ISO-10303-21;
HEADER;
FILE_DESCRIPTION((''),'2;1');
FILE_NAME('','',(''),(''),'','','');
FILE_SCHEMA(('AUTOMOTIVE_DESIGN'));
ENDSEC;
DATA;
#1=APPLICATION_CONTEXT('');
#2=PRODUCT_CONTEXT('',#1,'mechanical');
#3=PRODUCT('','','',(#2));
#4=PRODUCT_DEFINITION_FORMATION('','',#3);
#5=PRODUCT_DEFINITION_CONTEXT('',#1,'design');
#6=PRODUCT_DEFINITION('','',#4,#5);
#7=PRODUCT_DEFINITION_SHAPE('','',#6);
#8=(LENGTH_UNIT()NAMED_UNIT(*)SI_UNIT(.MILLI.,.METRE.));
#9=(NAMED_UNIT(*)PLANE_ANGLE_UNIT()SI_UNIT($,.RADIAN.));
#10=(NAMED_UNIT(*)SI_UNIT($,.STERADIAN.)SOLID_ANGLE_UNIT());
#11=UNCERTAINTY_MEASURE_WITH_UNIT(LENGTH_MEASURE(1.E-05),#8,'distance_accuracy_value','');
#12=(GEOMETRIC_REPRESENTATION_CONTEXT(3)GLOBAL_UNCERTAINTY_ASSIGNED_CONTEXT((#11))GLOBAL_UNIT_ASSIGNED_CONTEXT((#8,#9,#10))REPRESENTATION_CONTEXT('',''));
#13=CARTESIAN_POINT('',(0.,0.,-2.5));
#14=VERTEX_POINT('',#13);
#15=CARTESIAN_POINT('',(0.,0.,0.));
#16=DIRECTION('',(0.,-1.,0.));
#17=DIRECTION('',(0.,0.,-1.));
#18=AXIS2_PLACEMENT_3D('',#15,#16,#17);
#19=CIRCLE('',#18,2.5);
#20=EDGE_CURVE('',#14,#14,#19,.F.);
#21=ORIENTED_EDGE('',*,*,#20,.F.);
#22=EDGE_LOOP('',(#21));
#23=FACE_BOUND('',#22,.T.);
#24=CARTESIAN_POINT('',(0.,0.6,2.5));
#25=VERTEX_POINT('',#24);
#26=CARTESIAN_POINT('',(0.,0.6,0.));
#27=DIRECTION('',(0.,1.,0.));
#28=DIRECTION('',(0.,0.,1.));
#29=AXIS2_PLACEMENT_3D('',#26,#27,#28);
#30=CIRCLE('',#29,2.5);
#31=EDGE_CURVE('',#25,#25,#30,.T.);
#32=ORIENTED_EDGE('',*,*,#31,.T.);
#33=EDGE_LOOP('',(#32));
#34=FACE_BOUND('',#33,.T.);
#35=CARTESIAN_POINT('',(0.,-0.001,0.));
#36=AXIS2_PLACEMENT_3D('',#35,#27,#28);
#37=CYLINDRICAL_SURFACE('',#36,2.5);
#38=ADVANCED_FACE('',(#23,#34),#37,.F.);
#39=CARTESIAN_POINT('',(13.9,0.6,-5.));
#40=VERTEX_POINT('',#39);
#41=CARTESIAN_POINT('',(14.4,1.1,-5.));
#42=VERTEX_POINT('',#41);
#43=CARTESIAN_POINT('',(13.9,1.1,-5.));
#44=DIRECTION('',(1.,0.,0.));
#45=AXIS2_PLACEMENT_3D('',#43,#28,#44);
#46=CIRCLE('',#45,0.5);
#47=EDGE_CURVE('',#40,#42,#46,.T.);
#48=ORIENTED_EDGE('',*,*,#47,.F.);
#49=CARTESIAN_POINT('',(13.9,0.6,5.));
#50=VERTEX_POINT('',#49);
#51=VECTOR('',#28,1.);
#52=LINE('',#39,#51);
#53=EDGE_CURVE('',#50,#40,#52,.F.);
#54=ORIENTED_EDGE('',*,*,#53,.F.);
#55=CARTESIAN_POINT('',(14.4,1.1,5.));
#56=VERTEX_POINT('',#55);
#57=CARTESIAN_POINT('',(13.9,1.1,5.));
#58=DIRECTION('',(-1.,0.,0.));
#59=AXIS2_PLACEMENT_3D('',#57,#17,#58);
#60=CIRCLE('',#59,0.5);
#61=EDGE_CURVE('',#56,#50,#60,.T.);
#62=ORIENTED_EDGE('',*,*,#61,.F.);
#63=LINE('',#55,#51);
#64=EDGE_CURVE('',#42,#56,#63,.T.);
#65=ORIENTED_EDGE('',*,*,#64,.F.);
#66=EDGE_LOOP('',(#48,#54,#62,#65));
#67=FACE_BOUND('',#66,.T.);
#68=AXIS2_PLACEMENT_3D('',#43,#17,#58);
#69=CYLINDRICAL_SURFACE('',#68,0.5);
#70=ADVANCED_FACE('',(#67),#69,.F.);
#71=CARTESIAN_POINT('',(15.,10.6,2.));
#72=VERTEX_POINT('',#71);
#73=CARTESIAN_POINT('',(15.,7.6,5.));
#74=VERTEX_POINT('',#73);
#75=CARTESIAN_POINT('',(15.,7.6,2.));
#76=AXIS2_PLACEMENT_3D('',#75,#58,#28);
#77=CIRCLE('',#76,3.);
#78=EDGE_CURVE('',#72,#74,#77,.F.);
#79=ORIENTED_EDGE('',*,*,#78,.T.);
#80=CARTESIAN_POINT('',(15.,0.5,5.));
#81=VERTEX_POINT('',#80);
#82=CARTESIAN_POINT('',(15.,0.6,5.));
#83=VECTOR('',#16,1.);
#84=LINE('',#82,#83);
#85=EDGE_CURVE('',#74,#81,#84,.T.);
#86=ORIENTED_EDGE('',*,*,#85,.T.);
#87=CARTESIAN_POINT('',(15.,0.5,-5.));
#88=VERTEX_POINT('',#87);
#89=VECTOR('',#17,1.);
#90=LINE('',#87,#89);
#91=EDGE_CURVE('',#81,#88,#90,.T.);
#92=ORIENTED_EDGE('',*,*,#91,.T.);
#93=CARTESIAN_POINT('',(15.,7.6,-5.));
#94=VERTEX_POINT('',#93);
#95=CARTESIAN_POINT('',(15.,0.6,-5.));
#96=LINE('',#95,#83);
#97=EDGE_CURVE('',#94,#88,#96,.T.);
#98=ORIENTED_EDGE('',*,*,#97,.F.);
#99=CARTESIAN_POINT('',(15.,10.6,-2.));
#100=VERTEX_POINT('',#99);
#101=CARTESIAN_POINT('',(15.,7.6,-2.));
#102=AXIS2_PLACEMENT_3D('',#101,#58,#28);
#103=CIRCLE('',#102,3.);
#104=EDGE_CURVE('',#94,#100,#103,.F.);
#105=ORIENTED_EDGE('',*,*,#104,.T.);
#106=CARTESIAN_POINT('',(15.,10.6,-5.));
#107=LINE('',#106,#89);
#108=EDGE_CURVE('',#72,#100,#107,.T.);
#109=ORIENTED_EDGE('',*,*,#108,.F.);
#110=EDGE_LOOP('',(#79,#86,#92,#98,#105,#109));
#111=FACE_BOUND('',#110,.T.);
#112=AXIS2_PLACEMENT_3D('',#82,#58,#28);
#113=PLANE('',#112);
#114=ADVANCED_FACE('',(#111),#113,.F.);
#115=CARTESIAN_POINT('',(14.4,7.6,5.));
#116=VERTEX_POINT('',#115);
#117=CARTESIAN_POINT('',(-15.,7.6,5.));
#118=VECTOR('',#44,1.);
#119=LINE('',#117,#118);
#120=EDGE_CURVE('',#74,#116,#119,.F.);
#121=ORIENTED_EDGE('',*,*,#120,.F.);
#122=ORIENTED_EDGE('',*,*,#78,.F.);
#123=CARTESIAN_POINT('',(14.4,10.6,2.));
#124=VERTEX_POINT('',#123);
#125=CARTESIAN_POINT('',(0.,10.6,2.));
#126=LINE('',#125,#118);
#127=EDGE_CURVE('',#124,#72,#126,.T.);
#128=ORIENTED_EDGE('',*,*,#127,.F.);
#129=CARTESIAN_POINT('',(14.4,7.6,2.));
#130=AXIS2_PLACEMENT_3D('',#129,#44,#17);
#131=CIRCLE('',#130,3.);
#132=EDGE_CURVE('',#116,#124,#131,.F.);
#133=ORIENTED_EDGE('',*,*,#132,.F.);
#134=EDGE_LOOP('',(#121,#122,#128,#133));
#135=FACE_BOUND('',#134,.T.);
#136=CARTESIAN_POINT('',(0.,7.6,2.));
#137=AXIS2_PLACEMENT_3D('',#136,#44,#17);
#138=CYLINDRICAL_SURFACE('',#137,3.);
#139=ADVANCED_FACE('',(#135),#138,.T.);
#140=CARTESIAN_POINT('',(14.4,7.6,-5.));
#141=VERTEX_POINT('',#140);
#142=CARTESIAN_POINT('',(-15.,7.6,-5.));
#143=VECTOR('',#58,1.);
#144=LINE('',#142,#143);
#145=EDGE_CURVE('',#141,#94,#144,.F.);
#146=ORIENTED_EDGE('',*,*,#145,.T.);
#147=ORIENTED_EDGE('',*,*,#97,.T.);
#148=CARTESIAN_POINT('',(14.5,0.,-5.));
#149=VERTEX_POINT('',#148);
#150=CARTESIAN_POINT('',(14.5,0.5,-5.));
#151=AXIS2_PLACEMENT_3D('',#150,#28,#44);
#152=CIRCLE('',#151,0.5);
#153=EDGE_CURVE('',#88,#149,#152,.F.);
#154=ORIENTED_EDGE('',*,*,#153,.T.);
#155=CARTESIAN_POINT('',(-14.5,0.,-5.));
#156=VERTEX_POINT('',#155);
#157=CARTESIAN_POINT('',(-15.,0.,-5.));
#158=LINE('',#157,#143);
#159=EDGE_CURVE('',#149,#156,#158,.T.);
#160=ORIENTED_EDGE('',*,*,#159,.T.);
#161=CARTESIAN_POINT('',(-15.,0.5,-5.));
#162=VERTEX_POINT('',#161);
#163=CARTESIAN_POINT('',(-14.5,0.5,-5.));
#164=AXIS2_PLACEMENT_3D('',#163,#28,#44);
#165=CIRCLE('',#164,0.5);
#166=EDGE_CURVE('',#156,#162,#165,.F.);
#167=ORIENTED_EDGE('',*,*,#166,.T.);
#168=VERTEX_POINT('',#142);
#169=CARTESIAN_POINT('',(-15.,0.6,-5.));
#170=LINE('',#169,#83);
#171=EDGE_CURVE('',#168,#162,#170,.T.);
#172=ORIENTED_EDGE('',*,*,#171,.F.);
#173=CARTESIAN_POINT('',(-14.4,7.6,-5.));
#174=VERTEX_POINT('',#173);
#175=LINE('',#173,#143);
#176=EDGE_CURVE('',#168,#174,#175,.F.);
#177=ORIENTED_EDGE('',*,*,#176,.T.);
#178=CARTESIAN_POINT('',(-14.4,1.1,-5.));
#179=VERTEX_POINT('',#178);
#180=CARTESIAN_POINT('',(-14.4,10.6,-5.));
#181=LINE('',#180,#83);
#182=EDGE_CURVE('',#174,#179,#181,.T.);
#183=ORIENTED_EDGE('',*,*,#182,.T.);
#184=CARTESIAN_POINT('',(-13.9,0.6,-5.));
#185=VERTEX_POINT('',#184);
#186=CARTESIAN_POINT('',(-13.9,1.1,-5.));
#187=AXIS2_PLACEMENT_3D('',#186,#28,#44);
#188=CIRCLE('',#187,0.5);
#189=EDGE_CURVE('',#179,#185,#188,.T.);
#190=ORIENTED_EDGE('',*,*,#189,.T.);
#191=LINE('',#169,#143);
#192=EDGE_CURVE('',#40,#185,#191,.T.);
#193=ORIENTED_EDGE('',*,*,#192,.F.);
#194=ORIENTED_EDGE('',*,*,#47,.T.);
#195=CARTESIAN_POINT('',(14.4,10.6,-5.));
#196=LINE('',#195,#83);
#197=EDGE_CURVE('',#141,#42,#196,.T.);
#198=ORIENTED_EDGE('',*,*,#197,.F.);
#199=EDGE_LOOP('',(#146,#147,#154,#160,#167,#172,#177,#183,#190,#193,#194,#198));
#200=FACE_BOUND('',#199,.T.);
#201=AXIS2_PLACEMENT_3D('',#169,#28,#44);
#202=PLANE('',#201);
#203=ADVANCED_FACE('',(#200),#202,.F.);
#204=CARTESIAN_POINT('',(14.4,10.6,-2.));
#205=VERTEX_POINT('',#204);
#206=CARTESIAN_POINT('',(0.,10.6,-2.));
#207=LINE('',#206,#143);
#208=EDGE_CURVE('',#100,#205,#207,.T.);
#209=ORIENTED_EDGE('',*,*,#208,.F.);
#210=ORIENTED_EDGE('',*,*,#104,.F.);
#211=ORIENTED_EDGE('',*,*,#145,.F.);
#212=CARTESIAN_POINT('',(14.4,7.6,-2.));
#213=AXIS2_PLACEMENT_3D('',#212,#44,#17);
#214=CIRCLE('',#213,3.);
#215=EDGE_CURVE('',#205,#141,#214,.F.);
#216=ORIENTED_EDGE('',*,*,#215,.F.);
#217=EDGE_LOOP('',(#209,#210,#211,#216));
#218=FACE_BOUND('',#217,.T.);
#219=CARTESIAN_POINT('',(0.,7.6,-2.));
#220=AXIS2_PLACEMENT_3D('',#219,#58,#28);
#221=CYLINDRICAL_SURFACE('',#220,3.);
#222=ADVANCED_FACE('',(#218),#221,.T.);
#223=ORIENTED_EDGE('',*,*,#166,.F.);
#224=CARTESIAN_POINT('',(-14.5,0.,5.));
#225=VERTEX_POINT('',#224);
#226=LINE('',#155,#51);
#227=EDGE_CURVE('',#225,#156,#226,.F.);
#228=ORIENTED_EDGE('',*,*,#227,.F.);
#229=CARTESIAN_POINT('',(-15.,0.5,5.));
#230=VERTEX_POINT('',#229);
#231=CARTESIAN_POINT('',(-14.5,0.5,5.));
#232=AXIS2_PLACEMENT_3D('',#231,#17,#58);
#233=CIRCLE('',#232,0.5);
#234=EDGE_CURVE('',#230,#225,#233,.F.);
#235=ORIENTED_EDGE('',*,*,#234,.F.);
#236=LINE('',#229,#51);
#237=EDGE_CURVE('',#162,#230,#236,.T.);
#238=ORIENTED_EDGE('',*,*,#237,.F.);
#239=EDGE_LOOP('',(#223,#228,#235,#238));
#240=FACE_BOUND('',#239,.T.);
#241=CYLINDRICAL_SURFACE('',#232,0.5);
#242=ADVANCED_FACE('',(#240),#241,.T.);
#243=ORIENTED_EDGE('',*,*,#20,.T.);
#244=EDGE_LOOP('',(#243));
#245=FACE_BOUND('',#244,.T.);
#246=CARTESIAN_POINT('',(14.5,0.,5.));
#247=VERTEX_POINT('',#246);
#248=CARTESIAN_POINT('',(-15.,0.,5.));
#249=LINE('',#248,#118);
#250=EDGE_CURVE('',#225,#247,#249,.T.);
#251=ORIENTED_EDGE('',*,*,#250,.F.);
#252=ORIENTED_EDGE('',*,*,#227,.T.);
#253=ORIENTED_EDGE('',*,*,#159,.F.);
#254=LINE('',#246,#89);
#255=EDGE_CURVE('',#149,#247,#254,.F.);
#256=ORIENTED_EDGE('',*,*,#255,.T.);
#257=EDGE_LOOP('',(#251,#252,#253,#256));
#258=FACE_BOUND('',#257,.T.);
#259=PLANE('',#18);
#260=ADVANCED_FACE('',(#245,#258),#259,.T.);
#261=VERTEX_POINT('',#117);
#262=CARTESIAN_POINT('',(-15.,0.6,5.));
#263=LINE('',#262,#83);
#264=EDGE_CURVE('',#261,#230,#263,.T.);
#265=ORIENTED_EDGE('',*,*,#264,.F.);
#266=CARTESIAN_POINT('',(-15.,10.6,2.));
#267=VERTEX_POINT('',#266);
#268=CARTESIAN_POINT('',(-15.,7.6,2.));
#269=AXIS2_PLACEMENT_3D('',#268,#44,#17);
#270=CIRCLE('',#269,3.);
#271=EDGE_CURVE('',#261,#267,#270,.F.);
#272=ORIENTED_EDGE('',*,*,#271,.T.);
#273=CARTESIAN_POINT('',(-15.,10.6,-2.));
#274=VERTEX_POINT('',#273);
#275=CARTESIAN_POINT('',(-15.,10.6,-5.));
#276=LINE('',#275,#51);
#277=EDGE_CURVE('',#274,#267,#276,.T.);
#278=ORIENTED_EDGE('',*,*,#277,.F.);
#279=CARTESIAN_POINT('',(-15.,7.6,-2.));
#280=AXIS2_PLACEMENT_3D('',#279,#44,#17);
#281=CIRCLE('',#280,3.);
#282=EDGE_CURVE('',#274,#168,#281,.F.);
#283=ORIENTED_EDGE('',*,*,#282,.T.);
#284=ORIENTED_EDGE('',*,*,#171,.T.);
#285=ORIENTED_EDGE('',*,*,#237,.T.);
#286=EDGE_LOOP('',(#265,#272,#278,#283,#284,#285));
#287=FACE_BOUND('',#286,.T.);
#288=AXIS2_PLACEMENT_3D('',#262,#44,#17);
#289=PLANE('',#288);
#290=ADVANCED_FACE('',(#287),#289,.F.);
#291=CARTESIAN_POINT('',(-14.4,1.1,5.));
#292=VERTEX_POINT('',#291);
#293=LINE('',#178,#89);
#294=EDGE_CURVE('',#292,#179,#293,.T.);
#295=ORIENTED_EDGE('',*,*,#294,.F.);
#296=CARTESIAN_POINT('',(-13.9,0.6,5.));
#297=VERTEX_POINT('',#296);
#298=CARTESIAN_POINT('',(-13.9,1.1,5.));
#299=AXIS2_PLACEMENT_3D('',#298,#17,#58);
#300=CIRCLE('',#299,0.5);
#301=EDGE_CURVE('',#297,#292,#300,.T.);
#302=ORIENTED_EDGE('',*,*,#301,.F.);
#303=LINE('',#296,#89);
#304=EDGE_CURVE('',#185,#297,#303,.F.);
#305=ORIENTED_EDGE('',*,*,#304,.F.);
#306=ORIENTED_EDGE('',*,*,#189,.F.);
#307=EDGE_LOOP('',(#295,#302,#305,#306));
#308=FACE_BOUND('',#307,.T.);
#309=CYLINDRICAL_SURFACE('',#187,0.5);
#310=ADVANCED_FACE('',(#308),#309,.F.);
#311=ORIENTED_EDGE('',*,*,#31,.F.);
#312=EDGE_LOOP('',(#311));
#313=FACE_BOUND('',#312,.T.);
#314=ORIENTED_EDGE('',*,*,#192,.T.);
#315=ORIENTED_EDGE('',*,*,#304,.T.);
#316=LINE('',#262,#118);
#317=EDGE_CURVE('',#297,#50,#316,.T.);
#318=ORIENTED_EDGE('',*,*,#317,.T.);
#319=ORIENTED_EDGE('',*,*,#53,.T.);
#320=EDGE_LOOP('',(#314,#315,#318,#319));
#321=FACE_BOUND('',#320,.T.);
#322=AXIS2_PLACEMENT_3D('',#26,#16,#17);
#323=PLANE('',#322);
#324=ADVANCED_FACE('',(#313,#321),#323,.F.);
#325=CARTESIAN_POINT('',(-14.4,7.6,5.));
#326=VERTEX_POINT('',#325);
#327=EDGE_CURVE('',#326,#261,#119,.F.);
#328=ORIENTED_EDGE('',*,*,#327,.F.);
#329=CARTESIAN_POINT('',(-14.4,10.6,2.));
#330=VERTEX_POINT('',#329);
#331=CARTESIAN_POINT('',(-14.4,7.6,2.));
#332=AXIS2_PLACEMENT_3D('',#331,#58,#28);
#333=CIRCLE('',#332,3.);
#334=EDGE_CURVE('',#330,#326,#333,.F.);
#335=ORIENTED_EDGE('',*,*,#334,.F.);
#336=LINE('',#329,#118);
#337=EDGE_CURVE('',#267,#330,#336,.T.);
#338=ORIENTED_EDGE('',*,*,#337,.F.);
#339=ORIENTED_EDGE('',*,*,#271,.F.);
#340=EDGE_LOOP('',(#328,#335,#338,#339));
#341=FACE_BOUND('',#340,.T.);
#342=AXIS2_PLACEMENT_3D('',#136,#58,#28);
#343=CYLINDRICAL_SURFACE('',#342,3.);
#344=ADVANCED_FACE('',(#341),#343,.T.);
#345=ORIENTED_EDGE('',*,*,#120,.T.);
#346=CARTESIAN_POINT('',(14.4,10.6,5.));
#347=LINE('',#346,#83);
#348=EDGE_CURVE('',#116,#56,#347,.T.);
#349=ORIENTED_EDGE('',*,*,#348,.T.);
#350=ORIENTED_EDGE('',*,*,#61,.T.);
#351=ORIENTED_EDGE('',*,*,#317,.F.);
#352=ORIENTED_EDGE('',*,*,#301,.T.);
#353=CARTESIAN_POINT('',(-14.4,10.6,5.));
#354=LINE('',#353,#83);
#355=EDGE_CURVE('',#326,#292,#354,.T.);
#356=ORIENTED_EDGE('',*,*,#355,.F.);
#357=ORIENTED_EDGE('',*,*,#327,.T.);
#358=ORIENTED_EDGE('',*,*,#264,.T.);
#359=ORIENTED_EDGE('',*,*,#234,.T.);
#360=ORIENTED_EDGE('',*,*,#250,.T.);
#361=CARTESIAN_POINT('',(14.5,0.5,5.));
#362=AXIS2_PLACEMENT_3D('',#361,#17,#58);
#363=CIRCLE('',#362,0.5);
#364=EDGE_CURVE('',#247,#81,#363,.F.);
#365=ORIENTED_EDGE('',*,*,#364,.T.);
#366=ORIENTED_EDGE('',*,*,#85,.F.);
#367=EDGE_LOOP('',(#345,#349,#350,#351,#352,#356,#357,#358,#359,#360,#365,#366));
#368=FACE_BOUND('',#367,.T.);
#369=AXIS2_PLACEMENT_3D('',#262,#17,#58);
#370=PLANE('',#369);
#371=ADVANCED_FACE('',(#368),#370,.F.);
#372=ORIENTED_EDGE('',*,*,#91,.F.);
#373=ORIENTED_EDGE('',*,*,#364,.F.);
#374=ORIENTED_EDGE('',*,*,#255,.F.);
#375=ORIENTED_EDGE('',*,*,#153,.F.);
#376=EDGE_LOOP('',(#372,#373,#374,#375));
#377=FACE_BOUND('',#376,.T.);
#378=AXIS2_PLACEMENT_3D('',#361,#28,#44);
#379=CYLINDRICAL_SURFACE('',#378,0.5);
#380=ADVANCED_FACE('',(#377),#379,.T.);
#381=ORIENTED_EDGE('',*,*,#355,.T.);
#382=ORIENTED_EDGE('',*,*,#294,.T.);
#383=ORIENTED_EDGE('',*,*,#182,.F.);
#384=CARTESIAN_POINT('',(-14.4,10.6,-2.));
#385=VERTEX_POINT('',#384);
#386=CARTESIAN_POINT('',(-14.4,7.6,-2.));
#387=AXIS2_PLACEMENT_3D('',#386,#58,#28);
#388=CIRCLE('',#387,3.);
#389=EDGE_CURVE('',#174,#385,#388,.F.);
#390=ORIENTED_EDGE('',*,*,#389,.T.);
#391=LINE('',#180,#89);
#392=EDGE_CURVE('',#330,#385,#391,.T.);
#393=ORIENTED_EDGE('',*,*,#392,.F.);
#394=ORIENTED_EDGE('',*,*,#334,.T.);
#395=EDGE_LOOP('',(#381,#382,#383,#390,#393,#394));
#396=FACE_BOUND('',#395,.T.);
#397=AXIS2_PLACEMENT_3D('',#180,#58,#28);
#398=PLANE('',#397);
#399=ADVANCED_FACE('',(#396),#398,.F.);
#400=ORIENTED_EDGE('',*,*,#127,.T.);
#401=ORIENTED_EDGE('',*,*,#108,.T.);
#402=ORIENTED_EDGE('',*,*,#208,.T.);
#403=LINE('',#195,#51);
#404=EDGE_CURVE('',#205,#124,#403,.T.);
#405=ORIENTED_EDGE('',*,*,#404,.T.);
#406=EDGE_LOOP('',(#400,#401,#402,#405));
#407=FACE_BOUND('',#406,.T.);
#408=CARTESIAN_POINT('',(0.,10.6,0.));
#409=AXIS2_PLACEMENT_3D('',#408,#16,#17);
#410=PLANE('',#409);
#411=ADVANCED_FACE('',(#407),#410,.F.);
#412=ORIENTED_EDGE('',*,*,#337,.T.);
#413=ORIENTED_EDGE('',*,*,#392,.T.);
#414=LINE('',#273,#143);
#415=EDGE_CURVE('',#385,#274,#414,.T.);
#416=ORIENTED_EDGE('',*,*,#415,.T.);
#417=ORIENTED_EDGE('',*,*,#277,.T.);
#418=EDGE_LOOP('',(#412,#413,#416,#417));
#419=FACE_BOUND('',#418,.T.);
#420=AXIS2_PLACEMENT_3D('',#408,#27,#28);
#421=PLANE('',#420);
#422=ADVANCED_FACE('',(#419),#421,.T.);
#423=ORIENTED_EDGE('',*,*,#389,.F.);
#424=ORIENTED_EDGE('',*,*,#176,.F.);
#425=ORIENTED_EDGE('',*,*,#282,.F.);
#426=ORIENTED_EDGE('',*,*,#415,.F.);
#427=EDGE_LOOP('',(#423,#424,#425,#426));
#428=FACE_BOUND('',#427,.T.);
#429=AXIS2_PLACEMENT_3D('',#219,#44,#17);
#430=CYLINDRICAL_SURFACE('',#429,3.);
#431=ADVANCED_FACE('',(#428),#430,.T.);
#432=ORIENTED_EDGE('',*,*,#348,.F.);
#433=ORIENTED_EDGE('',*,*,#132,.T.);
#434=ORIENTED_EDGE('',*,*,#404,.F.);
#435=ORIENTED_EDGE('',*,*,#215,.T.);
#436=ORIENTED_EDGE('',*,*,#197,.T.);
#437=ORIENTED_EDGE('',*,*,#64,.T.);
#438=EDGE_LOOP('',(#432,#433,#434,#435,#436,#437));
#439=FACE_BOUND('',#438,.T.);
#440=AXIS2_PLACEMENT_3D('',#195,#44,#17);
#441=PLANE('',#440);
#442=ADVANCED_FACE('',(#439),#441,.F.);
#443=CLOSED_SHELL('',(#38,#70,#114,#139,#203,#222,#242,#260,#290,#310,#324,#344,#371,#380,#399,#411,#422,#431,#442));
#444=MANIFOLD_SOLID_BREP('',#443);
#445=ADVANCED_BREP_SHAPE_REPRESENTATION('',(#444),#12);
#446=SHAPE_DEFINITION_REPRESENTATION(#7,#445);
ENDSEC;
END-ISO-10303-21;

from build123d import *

# Parameters (mm, degrees)
SKETCH1_W           = 30
SKETCH1_H           = 10
BOSS_EXTRUDE1_DEPTH = 0.6
SKETCH2_W           = 0.6
SKETCH2_H           = 10
BOSS_EXTRUDE2_DEPTH = 10
FILLET1_R           = 0.5
FILLET2_R           = 3
CUT_EXTRUDE1_REACH  = 2.6
SKETCH3_R           = 2.5


with BuildPart() as part:
    # Sketch1 → Boss-Extrude1 (new body)
    with BuildSketch(Plane(origin=(0, 0, 0), x_dir=(1, 0, 0), z_dir=(0, 1, 0))):
        Rectangle(SKETCH1_W, SKETCH1_H)
    extrude(amount=BOSS_EXTRUDE1_DEPTH)

    # Sketch2 → Boss-Extrude2 (add)
    with BuildSketch(Plane(origin=(0, 0.6, 0), x_dir=(1, 0, 0), z_dir=(0, 1, 0))):
        with Locations((-14.7, 0)):
            Rectangle(SKETCH2_W, SKETCH2_H)
        with Locations((14.7, 0)):
            Rectangle(SKETCH2_W, SKETCH2_H)
    extrude(amount=BOSS_EXTRUDE2_DEPTH)

    # Fillet1
    fillet1_edges = [part.edges().sort_by_distance(p)[0] for p in [
        (-14.4, 0.6, 0),
        (14.4, 0.6, 0),
        (-15, 0, 0),
        (15, 0, 0),
    ]]
    fillet(fillet1_edges, radius=FILLET1_R)

    # Fillet2
    fillet2_edges = [part.edges().sort_by_distance(p)[0] for p in [
        (-14.7, 10.6, 5),
        (-14.7, 10.6, -5),
        (14.7, 10.6, -5),
        (14.7, 10.6, 5),
    ]]
    fillet(fillet2_edges, radius=FILLET2_R)

    # Sketch3 → Cut-Extrude1 (cut, up to next)
    with BuildSketch(Plane(origin=(0, 0.6, 0), x_dir=(1, 0, 0), z_dir=(0, 1, 0)), mode=Mode.PRIVATE) as cut_extrude1_sk1:
        Circle(SKETCH3_R)
    cut_extrude1_tool1 = extrude(cut_extrude1_sk1.sketch, amount=-CUT_EXTRUDE1_REACH, mode=Mode.PRIVATE) & part.part
    add(cut_extrude1_tool1.solids().sort_by_distance((0, 0.6, 0))[0], mode=Mode.SUBTRACT)


solid = part.part
